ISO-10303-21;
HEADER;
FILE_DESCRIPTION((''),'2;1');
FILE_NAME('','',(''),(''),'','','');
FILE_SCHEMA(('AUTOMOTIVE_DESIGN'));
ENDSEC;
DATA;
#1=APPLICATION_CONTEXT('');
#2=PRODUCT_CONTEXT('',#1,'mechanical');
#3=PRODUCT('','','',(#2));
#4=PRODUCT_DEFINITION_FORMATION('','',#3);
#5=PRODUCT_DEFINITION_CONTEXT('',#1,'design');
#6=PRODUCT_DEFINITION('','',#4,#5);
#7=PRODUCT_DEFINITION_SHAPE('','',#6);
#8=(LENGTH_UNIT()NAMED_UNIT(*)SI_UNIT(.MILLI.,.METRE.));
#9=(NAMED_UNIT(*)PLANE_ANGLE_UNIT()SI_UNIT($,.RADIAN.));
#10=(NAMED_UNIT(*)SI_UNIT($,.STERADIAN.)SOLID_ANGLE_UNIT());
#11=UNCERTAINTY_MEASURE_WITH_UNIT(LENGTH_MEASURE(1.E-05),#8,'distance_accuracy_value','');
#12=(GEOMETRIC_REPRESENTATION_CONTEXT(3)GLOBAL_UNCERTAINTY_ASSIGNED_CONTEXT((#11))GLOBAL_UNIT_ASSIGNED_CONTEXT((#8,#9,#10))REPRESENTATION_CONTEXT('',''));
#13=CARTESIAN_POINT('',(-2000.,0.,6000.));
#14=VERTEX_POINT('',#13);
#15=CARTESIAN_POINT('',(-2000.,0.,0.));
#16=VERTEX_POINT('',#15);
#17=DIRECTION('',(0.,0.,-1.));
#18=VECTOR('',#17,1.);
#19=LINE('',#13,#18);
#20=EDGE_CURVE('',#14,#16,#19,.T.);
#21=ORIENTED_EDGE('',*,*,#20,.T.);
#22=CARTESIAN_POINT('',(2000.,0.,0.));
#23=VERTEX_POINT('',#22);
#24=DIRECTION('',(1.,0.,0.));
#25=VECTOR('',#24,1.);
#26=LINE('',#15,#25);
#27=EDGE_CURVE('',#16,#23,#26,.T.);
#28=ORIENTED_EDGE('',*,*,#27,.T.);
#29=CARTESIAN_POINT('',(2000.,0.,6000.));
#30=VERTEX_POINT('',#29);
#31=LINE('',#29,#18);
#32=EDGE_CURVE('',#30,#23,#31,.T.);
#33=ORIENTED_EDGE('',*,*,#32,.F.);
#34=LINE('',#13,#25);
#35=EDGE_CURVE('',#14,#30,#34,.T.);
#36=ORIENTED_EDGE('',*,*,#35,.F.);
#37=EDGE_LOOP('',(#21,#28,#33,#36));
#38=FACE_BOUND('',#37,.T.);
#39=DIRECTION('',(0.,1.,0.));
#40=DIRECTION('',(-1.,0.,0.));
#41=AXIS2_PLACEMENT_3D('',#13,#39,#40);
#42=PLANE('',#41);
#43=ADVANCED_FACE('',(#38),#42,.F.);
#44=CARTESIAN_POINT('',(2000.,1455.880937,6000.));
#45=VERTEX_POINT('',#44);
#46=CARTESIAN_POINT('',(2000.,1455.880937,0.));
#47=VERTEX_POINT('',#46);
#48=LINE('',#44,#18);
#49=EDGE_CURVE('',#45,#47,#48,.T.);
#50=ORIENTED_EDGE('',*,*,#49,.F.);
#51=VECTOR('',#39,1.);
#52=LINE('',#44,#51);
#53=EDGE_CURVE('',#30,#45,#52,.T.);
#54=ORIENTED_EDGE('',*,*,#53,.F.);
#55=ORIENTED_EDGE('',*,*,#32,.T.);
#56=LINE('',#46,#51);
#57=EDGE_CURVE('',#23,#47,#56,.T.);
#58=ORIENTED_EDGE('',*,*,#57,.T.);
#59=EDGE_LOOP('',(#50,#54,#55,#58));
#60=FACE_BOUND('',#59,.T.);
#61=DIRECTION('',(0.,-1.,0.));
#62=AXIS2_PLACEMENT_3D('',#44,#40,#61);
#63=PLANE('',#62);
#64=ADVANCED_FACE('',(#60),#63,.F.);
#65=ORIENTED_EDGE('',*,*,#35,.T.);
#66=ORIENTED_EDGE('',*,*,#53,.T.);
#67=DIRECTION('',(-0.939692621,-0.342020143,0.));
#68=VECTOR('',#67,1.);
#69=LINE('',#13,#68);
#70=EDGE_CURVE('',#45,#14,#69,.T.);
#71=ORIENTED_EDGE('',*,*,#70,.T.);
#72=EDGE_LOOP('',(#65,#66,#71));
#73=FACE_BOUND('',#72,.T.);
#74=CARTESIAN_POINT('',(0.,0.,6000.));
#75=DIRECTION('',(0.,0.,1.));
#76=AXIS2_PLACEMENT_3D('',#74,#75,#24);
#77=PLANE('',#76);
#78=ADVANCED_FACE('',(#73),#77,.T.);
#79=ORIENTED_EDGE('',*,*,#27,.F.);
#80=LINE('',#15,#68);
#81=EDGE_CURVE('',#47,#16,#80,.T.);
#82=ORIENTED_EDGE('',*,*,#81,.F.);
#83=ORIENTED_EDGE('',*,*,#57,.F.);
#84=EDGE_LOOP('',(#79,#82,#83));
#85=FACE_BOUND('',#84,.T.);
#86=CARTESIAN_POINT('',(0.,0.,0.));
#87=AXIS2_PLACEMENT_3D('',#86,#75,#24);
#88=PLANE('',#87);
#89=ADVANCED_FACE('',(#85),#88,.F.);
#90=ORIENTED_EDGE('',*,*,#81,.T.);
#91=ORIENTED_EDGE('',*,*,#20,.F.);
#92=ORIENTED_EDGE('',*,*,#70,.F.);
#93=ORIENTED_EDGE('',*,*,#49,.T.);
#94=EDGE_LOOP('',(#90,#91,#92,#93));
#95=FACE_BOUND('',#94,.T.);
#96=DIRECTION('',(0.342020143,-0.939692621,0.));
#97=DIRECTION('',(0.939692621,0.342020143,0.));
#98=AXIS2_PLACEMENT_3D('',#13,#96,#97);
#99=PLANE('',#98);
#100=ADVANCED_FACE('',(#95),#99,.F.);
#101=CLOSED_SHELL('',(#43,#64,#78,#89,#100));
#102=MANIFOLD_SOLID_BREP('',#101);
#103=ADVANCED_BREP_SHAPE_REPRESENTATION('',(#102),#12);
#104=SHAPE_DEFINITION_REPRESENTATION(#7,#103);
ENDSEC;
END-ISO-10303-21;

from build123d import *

# Parameters (mm, degrees)
BOSS_EXTRUDE1_DEPTH = 6000


with BuildPart() as part:
    # Sketch1 → Boss-Extrude1 (new body)
    with BuildSketch(Plane.XY):
        Polygon((-2000, 0), (2000, 0), (2000, 1455.880937065), align=None)
    extrude(amount=BOSS_EXTRUDE1_DEPTH)


solid = part.part
